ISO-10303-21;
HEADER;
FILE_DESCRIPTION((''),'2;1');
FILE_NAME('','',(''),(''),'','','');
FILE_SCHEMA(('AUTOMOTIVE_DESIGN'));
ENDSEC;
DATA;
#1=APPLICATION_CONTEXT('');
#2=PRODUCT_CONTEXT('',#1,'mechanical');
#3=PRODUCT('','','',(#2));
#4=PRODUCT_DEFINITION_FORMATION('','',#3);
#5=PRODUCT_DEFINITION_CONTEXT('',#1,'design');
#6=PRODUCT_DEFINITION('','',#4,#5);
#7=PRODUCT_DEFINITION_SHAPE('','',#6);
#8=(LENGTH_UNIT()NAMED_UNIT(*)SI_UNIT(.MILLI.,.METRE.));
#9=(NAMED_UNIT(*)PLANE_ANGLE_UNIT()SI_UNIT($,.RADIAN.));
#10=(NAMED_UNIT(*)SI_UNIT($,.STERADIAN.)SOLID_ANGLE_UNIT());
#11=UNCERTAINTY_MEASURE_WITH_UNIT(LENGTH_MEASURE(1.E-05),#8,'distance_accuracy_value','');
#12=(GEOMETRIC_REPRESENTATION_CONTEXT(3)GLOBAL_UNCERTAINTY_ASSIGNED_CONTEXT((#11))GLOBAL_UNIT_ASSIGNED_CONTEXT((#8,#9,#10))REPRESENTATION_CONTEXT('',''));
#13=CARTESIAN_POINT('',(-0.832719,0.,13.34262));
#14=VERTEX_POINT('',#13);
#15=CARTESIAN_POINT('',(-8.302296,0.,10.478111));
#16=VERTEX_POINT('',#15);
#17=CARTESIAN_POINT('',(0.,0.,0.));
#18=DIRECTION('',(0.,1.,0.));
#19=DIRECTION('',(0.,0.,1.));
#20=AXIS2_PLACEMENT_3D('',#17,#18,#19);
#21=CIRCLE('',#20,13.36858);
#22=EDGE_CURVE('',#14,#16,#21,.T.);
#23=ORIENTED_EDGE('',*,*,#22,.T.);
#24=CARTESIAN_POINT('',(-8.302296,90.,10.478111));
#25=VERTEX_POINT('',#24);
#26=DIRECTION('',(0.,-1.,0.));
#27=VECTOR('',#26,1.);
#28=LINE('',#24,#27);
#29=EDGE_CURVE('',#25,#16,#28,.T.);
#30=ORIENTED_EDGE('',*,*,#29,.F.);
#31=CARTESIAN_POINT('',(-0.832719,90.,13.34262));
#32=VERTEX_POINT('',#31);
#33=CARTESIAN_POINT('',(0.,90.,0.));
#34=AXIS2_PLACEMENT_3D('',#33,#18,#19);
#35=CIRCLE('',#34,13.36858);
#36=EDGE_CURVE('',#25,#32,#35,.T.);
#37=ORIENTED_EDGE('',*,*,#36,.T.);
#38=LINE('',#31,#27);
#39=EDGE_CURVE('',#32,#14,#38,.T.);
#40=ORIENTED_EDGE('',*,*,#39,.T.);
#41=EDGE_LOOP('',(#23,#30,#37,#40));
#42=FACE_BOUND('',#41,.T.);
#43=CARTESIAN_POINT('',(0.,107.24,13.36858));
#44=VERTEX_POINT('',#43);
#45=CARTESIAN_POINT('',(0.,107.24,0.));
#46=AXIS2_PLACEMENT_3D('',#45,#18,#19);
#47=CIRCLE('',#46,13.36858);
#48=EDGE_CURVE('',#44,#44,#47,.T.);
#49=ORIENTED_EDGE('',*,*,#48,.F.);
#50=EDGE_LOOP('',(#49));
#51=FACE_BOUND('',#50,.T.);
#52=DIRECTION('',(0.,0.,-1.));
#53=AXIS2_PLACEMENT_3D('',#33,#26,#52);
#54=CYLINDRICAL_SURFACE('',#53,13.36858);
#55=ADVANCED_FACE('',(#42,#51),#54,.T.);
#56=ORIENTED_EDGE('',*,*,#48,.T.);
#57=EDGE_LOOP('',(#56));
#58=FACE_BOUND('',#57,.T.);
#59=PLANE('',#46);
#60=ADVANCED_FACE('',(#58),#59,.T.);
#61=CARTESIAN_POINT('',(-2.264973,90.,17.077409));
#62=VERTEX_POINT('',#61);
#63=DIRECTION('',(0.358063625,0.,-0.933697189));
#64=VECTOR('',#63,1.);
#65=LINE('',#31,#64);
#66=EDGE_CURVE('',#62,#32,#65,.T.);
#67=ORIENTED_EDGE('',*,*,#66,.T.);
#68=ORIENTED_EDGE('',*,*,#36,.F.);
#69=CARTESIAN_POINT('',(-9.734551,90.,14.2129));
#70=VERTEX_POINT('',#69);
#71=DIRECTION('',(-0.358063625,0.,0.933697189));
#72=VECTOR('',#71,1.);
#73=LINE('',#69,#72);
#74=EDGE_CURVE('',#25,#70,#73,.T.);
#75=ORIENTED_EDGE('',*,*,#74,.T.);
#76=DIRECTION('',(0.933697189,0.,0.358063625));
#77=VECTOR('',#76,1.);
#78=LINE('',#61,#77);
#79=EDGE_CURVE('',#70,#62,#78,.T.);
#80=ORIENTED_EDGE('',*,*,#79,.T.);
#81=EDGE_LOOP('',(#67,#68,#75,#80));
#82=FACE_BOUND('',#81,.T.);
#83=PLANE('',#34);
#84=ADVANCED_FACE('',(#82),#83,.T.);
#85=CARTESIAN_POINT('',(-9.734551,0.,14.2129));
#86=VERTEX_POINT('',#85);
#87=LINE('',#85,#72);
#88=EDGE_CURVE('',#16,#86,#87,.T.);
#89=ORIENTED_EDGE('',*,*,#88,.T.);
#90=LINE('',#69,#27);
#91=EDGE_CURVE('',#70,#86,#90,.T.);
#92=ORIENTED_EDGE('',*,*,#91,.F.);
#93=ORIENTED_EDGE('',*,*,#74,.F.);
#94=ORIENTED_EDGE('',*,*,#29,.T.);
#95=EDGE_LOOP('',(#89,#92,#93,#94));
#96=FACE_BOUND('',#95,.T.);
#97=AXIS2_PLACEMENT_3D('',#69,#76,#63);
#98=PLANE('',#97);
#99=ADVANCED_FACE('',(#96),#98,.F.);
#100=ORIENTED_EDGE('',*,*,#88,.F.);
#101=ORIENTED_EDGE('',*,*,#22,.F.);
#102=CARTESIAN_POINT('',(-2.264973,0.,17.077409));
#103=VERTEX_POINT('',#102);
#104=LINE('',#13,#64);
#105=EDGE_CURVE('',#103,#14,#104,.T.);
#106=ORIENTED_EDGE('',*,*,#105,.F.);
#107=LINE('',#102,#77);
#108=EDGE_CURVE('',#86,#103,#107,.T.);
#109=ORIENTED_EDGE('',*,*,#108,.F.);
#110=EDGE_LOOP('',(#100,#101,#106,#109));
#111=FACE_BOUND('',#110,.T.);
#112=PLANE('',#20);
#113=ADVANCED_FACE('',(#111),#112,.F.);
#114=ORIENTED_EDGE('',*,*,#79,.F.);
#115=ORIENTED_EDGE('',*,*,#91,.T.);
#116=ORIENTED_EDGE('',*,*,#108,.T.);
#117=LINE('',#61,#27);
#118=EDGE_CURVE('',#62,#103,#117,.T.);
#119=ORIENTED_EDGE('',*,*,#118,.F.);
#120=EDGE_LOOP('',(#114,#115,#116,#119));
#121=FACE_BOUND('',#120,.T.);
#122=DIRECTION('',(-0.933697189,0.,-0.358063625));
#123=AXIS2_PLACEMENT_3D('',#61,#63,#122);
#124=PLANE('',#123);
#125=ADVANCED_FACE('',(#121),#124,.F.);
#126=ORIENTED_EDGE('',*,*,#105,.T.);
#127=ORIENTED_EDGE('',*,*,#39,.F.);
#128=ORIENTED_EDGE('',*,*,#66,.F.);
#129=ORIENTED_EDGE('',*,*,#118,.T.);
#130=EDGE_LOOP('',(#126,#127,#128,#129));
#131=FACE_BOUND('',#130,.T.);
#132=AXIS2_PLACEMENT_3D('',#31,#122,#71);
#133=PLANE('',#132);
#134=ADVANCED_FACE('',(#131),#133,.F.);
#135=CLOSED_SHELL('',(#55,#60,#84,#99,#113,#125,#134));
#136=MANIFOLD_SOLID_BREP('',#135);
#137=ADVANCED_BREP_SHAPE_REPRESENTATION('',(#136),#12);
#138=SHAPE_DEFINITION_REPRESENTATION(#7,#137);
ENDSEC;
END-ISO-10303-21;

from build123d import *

# Parameters (mm, degrees)
BOSS_EXTRUDE1_DEPTH = 90
SKETCH3_R           = 13.36858006
BOSS_EXTRUDE2_DEPTH = 550
SKETCH4_R           = 30
CUT_EXTRUDE1_DEPTH  = 532.76


with BuildPart() as part:
    # Sketch2 → Boss-Extrude1 (new body)
    with BuildSketch(Plane(origin=(0, 0, 0), x_dir=(1, 0, 0), z_dir=(0, 1, 0))):
        with BuildLine():
            Line((-0.832718515, -13.342620159), (-2.264973014, -17.077408915))
            Line((-2.264973014, -17.077408915), (-9.734550526, -14.212899917))
            Line((-9.734550526, -14.212899917), (-8.302296027, -10.478111162))
            ThreePointArc((-8.302296027, -10.478111162), (4.786802233, 12.482205623), (-0.832718515, -13.342620159))
        make_face()
    extrude(amount=BOSS_EXTRUDE1_DEPTH)

    # Sketch3 → Boss-Extrude2 (add)
    with BuildSketch(Plane(origin=(0, 90, 0), x_dir=(1, 0, 0), z_dir=(0, 1, 0))):
        with Locations(Location((0, 0, 0), (0, 0, 231.608573475))):
            Circle(SKETCH3_R)
    extrude(amount=BOSS_EXTRUDE2_DEPTH)

    # Sketch4 → Cut-Extrude1 (cut)
    with BuildSketch(Plane(origin=(0, 640, 0), x_dir=(1, 0, 0), z_dir=(0, 1, 0))):
        Circle(SKETCH4_R)
    extrude(amount=-CUT_EXTRUDE1_DEPTH, mode=Mode.SUBTRACT)


solid = part.part
